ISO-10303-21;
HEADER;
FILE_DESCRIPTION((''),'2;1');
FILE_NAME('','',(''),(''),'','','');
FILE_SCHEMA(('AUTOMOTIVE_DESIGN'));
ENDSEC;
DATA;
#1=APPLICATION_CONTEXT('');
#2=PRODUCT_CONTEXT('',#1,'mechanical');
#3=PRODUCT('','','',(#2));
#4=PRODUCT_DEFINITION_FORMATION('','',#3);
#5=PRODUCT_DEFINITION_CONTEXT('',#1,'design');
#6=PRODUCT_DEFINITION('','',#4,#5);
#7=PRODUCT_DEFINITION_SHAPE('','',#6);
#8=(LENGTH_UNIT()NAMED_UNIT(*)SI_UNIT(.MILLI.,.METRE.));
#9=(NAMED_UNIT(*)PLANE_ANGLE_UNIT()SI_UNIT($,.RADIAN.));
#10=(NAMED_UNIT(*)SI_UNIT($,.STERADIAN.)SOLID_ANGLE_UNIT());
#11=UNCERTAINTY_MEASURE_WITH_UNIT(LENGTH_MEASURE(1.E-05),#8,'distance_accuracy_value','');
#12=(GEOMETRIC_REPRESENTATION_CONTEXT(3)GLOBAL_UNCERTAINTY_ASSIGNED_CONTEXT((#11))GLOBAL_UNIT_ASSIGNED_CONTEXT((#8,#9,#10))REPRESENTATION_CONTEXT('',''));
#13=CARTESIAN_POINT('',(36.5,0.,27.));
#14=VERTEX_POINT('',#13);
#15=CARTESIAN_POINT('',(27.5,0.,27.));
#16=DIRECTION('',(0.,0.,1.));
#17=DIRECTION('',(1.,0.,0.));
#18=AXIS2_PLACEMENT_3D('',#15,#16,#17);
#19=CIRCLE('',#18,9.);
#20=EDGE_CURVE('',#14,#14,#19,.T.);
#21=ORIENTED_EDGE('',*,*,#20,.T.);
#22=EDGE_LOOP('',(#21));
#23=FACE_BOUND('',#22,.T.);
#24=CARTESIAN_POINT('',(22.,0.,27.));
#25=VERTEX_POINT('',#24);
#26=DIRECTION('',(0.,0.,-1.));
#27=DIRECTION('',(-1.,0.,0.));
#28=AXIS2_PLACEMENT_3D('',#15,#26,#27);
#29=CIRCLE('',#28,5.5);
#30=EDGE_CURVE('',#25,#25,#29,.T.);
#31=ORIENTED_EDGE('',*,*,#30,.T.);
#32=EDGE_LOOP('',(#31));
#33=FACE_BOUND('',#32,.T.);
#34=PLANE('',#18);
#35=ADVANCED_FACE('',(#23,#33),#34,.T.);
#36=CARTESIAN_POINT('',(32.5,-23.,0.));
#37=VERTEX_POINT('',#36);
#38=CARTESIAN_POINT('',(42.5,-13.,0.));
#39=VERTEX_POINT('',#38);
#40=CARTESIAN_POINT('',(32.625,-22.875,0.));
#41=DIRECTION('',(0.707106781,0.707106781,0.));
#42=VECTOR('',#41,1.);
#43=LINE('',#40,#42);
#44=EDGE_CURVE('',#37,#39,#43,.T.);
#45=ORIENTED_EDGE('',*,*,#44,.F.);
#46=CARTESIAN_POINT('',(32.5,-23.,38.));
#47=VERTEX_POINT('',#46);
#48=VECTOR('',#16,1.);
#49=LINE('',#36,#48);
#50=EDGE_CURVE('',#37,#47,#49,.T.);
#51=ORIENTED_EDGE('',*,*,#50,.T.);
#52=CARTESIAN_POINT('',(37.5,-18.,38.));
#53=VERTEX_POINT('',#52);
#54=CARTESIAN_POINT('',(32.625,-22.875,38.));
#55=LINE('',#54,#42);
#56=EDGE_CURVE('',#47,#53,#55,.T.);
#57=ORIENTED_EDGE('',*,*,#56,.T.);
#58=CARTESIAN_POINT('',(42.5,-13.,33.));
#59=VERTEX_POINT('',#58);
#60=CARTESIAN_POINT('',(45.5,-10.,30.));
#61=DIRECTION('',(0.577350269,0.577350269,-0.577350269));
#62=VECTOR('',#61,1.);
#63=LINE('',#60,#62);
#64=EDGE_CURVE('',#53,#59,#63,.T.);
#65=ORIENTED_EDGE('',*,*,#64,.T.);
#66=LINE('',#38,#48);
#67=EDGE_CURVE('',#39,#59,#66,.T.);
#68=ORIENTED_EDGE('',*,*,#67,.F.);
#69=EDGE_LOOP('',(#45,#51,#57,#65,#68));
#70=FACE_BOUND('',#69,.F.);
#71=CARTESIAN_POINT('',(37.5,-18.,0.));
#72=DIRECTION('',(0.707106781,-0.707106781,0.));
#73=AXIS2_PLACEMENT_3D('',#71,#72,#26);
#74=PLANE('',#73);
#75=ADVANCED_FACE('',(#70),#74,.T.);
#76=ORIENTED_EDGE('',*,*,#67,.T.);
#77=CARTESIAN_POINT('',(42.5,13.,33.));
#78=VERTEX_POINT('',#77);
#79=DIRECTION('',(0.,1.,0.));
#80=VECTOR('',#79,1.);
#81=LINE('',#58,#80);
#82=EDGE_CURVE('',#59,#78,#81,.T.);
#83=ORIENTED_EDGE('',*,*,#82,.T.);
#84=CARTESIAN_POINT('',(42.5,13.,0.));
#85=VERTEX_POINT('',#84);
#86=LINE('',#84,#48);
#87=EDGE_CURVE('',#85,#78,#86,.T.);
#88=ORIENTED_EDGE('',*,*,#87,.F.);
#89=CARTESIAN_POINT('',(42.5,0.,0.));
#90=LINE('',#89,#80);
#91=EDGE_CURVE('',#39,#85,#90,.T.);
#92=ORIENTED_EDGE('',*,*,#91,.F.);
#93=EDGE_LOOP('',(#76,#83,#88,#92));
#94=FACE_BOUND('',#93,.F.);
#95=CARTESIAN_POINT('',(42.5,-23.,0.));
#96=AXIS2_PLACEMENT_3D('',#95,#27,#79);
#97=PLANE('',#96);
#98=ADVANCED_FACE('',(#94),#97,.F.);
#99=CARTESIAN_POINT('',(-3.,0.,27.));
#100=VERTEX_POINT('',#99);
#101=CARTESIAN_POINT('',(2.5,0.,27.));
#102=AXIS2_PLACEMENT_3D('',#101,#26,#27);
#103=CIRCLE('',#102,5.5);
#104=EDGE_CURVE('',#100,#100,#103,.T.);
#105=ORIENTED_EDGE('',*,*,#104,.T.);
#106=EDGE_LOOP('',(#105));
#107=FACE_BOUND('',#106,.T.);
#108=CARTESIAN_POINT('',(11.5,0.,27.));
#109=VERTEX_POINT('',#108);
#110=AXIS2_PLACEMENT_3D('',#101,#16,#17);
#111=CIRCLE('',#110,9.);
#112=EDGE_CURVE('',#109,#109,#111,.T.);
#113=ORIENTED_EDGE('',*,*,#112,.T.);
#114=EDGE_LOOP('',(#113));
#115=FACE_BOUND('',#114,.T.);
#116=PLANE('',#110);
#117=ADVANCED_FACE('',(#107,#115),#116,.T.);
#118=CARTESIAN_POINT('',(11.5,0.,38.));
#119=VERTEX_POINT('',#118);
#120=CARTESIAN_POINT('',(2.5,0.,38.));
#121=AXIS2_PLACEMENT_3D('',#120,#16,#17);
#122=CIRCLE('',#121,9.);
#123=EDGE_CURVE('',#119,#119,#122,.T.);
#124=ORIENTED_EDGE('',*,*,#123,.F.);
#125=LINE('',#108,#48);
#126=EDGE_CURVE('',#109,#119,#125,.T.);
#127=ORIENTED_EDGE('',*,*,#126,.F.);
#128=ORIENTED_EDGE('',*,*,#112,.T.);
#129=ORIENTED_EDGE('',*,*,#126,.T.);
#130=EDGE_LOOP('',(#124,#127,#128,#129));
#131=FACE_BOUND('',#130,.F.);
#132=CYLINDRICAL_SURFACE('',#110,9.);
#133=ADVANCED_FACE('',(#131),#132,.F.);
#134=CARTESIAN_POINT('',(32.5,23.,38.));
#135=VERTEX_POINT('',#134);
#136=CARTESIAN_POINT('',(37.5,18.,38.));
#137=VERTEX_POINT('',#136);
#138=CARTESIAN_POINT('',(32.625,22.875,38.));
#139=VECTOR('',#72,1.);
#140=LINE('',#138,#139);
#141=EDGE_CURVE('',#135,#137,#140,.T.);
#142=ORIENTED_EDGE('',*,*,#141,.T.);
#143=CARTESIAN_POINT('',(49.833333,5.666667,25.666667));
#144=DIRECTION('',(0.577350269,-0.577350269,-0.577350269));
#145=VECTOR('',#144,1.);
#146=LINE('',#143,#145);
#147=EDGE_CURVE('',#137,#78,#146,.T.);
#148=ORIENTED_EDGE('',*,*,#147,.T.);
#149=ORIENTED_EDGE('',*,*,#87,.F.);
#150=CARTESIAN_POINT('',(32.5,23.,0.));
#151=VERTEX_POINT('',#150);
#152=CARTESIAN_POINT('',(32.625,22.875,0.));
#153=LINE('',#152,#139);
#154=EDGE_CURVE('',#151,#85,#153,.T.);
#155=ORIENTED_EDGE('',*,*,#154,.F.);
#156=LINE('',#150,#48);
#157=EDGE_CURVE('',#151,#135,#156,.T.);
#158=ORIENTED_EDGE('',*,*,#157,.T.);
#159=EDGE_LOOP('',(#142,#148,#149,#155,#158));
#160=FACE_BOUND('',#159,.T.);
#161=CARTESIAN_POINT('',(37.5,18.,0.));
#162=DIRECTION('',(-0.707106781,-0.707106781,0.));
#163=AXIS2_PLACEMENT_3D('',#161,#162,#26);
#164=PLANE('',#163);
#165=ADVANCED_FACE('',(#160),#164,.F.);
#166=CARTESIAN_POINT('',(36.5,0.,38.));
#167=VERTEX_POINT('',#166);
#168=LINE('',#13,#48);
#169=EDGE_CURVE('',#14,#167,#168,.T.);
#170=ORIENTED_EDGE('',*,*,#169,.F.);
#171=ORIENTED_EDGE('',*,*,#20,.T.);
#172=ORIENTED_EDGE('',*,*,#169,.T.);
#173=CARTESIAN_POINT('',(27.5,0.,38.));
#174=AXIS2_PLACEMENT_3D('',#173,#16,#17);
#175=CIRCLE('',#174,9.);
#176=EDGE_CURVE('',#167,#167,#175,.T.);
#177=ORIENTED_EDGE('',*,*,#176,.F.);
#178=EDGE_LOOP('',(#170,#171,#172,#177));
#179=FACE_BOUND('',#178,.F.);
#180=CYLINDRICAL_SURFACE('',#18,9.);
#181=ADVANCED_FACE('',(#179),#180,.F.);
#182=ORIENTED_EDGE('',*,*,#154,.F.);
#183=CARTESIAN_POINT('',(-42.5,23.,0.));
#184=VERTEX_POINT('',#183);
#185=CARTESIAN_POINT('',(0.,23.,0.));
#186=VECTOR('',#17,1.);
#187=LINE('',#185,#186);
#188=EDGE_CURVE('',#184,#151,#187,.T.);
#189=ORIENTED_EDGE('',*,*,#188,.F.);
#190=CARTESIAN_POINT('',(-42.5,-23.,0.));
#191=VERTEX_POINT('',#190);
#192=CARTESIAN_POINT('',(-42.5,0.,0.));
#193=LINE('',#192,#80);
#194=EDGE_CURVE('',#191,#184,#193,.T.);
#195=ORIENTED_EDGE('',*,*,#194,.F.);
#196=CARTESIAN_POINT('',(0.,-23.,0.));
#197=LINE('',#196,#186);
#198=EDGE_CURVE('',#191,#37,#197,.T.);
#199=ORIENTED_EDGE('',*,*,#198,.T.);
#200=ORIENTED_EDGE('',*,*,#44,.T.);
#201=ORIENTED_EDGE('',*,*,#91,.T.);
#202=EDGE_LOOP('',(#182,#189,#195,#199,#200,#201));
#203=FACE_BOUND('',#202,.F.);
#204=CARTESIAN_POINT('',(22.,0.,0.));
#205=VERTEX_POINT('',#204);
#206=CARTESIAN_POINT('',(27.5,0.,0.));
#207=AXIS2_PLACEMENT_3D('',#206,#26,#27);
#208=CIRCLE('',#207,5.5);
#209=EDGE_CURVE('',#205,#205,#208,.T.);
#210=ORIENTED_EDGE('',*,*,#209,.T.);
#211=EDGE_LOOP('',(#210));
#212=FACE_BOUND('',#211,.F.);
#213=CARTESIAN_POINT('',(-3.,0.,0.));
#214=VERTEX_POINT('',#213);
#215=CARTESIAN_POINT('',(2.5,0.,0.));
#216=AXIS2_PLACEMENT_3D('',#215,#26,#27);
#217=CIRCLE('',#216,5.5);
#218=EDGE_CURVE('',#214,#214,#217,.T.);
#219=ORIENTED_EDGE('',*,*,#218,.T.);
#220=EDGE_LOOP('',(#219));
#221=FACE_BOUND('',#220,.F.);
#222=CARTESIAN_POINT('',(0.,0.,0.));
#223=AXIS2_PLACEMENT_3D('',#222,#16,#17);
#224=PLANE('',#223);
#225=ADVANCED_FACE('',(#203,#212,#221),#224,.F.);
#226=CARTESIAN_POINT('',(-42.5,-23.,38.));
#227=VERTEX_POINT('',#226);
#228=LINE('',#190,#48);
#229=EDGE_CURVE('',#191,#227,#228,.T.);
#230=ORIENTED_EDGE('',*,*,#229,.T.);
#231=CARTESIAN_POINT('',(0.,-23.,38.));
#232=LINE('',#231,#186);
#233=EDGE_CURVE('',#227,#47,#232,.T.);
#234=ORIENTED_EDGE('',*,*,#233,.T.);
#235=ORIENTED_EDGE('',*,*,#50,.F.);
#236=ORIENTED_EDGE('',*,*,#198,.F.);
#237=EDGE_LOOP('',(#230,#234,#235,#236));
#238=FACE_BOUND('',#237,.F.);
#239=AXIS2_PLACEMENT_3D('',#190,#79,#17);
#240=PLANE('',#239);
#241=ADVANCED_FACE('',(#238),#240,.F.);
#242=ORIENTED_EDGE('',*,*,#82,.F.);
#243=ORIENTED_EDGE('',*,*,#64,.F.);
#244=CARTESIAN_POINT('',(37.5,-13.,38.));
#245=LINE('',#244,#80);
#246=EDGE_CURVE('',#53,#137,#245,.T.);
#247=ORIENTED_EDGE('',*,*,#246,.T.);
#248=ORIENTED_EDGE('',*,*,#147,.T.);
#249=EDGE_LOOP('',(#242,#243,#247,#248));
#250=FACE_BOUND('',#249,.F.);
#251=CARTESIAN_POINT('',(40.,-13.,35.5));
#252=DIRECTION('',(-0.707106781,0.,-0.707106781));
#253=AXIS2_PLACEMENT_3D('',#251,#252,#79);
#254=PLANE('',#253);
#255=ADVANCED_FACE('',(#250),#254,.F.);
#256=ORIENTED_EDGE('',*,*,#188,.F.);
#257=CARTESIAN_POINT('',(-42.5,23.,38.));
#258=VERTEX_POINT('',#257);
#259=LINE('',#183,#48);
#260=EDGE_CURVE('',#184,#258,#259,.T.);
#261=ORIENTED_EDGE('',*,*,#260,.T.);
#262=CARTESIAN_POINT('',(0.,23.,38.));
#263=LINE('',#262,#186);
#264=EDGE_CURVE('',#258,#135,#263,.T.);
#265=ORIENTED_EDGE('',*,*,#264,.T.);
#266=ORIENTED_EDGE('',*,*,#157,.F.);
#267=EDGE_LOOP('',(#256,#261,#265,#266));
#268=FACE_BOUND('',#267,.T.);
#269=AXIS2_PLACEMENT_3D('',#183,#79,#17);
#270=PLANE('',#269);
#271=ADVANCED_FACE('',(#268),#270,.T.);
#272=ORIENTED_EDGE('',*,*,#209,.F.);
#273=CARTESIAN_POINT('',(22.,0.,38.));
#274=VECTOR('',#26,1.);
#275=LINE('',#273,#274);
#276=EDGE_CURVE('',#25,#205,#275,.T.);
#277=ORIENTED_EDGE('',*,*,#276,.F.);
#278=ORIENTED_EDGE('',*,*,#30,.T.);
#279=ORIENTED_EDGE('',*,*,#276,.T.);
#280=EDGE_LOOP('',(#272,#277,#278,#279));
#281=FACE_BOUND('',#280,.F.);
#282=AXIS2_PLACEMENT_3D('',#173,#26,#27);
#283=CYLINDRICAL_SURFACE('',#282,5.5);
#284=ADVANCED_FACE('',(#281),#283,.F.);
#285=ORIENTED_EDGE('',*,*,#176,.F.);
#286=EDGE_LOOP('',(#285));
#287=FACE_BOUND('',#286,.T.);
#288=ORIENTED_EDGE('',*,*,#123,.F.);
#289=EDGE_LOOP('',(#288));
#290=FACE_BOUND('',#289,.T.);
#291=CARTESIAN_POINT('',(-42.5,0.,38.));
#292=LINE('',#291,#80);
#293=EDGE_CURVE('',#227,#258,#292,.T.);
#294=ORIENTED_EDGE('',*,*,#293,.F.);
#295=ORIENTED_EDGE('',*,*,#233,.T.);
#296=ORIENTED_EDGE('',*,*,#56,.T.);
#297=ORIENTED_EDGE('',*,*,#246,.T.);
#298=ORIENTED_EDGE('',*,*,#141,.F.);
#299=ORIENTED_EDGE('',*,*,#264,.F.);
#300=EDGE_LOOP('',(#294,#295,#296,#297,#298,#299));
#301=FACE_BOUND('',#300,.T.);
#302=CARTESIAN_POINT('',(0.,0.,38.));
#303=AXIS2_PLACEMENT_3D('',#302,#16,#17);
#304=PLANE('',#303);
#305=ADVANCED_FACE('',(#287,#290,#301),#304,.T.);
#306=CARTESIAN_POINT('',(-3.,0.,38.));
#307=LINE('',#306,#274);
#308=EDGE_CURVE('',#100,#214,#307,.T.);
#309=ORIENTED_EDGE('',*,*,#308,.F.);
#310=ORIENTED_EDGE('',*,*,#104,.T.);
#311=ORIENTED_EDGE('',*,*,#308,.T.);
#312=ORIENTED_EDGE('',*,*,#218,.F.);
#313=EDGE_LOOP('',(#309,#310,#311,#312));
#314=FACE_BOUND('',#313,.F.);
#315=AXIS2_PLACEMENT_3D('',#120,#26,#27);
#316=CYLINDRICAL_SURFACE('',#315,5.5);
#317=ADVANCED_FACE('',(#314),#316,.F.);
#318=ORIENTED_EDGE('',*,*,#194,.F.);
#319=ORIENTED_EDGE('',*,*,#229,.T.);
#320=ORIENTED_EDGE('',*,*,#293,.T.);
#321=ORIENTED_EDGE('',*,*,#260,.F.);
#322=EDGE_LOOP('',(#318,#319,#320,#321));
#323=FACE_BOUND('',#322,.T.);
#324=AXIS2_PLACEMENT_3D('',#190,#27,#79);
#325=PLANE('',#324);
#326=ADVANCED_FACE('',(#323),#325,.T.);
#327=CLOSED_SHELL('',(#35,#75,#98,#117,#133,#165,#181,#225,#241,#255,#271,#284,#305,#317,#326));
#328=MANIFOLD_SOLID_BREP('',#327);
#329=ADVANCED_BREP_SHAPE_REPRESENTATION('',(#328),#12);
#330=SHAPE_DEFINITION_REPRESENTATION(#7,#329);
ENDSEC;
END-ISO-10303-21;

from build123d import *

# Parameters (mm, degrees)
SKETCH_1_W                = 85
SKETCH_1_H                = 46
EXTRUDE_1_DEPTH           = 38
HOLE_WIZARD_1_D           = 11
HOLE_WIZARD_1_CBORE_D     = 18
HOLE_WIZARD_1_CBORE_DEPTH = 11
CHAMFER_1_SIZE            = 10
CHAMFER_2_SIZE            = 5


with BuildPart() as part:
    # 草图1 → 凸台-拉伸1 (new body)
    with BuildSketch(Plane.XY):
        Rectangle(SKETCH_1_W, SKETCH_1_H)
    extrude(amount=EXTRUDE_1_DEPTH)

    # 打孔尺寸(%根据)内六角圆柱头螺钉的类型1 (through all)
    with Locations(Plane.XY.offset(38)):
        with Locations((2.5, 0), (27.5, 0)):
            CounterBoreHole(HOLE_WIZARD_1_D / 2, HOLE_WIZARD_1_CBORE_D / 2, HOLE_WIZARD_1_CBORE_DEPTH)

    # 倒角1
    chamfer_1_edges = [part.edges().sort_by_distance(p)[0] for p in [
        (42.5, 23, 19),
        (42.5, -23, 19),
    ]]
    chamfer(chamfer_1_edges, length=CHAMFER_1_SIZE)

    # 倒角2
    chamfer_2_edges = [part.edges().sort_by_distance(p)[0] for p in [
        (42.5, 0, 38),
    ]]
    chamfer(chamfer_2_edges, length=CHAMFER_2_SIZE)


solid = part.part
